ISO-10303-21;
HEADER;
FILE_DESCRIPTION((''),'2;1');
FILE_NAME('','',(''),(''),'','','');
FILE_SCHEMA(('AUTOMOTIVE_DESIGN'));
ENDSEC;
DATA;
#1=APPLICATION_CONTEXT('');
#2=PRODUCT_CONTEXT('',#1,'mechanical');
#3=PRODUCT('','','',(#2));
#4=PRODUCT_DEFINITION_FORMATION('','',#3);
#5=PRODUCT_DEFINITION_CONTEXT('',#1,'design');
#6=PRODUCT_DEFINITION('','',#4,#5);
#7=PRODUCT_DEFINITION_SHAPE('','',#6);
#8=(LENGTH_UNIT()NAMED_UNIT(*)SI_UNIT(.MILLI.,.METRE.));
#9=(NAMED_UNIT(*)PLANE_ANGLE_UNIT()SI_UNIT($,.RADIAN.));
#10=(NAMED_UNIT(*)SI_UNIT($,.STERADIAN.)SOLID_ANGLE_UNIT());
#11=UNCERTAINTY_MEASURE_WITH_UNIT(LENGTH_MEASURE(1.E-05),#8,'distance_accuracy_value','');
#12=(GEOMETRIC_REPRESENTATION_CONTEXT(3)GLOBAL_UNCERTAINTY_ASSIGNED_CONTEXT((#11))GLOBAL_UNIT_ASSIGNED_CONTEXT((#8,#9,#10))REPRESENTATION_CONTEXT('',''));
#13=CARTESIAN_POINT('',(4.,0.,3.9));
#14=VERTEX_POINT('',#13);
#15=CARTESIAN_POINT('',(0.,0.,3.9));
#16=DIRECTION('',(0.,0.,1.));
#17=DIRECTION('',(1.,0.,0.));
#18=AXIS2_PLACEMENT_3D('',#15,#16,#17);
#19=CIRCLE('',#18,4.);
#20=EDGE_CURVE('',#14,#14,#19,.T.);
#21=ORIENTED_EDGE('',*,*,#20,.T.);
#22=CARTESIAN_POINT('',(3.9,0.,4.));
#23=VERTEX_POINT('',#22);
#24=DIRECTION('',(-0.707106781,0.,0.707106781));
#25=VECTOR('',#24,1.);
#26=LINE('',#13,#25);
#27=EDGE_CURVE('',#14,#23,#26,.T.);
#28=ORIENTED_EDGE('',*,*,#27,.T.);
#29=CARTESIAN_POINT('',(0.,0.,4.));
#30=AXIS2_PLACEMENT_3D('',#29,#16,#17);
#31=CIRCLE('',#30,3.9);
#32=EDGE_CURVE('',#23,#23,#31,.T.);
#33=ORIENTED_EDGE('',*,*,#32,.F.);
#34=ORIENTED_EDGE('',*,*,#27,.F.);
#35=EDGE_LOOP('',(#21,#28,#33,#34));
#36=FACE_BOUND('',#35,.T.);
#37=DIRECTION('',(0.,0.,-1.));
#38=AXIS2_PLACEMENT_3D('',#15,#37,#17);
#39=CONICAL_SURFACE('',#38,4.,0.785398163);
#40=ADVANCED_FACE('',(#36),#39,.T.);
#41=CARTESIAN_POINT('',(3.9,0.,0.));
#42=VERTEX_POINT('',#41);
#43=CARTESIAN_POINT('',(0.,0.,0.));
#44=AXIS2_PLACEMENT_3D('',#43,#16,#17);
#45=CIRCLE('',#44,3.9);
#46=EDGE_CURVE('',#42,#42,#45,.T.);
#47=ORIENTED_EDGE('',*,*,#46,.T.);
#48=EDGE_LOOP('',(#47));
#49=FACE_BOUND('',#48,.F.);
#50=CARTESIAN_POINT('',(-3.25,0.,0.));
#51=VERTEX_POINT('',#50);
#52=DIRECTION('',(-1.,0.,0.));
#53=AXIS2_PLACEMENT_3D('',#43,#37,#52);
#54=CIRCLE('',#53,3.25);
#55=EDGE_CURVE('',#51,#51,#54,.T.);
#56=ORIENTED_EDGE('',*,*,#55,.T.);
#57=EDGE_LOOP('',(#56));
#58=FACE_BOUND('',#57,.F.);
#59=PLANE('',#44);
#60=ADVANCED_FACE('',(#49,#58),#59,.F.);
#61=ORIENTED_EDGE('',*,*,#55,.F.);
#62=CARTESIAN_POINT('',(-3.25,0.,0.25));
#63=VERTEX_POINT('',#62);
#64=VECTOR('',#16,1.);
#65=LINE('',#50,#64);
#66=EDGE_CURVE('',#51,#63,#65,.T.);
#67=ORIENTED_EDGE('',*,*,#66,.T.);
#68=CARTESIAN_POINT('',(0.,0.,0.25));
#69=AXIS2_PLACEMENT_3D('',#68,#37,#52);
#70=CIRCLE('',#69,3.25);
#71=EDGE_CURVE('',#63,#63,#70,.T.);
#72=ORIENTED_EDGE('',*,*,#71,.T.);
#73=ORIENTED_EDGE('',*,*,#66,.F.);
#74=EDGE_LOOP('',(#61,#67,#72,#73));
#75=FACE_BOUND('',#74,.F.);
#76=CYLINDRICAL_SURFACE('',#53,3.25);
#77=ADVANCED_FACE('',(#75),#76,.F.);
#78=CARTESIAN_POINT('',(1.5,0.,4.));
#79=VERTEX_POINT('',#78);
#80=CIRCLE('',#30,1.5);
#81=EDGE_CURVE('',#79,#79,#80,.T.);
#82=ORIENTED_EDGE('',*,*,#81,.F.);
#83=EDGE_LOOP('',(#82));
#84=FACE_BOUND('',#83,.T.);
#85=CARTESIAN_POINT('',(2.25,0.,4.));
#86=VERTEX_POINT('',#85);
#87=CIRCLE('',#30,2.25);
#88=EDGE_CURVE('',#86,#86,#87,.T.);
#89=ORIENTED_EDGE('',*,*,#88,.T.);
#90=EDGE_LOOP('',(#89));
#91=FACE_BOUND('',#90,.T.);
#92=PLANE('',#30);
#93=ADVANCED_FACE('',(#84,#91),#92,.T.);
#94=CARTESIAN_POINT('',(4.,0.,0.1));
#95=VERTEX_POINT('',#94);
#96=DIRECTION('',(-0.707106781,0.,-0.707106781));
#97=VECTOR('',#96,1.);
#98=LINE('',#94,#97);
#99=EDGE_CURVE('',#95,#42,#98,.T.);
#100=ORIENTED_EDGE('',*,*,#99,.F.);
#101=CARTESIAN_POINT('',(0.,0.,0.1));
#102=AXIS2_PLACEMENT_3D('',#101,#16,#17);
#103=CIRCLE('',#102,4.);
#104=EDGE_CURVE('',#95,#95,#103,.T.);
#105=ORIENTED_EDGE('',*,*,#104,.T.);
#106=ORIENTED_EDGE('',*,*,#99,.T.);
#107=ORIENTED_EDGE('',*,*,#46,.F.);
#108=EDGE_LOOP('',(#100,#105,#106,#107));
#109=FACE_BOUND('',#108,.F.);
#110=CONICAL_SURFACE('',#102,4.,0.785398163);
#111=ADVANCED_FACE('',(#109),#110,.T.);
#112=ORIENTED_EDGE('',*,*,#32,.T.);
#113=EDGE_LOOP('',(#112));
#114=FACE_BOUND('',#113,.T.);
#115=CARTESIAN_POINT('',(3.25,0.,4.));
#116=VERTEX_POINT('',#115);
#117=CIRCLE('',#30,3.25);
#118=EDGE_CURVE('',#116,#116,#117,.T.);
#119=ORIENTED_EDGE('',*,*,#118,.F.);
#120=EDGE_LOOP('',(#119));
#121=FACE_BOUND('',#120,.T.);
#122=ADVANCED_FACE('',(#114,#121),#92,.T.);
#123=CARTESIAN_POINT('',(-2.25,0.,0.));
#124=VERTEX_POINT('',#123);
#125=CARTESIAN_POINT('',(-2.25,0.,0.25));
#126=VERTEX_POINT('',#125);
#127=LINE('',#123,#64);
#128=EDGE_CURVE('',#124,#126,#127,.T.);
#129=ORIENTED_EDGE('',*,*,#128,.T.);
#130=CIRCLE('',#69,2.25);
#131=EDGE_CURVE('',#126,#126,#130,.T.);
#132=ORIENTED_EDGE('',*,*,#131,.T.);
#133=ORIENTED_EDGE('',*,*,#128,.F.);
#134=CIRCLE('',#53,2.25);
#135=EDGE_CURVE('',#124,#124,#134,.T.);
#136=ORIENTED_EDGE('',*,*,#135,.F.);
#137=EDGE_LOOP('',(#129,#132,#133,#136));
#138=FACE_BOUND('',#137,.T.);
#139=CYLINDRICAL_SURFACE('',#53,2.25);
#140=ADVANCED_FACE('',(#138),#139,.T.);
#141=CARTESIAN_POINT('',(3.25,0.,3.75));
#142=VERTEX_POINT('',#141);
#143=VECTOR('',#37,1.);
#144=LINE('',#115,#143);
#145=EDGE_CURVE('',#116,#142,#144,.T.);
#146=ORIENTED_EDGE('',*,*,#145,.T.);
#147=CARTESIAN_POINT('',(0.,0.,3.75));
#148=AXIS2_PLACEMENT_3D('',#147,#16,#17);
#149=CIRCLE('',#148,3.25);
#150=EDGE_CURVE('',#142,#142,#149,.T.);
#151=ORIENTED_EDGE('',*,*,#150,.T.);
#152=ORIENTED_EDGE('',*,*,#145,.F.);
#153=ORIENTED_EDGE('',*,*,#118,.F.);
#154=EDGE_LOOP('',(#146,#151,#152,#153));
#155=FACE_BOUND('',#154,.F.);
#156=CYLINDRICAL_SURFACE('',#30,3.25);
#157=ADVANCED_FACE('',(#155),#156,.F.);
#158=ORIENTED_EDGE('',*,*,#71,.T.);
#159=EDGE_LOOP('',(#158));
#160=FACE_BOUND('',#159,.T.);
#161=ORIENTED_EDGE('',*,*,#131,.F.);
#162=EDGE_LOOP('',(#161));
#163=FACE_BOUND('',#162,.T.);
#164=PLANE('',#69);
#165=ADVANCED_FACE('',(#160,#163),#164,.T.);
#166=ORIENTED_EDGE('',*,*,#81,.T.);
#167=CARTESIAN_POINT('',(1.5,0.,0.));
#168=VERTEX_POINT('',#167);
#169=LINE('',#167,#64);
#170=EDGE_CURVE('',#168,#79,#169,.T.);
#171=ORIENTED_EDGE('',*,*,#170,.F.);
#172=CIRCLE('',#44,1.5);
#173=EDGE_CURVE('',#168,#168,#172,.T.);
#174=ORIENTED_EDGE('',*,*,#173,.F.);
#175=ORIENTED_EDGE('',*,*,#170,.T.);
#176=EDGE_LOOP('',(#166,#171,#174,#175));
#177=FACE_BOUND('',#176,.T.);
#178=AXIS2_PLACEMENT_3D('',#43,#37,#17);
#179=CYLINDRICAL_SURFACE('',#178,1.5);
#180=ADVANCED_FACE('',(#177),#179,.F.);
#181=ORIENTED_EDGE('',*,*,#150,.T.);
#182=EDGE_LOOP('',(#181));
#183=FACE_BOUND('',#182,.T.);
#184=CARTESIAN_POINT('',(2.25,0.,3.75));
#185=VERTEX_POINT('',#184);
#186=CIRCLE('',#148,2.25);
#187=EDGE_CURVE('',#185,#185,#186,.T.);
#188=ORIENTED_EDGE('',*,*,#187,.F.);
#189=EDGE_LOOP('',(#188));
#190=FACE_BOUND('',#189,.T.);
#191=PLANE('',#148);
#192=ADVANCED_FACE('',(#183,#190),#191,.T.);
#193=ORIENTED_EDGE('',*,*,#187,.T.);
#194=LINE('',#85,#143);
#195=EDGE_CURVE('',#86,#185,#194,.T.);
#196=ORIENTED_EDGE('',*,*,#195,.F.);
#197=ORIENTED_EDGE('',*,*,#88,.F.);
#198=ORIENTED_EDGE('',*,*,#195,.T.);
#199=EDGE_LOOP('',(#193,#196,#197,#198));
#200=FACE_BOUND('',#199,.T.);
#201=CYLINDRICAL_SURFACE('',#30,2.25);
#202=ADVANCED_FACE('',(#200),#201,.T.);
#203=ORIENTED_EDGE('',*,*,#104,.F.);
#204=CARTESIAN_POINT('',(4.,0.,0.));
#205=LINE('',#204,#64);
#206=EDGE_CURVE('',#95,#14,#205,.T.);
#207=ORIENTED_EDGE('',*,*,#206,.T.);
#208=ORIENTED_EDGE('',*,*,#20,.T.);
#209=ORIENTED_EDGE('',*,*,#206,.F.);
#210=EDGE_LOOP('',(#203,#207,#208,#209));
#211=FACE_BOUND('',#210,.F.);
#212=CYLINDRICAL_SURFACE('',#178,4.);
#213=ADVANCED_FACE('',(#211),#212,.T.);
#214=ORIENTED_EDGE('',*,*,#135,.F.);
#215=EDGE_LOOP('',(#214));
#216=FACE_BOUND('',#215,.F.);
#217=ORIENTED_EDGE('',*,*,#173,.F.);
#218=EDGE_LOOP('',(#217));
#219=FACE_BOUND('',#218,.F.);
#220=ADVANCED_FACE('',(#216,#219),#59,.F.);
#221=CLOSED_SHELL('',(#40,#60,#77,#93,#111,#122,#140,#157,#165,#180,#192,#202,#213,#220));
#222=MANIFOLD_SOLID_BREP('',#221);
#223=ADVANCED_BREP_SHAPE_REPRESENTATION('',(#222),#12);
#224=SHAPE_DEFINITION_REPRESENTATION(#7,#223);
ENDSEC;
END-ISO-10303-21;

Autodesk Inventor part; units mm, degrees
ref_plane "YZ Plane" through (0, 0, 0) normal (1, 0, 0) x (0, 1, 0)
ref_plane "XZ Plane" through (0, 0, 0) normal (0, 1, 0) x (-1, 0, 0)
ref_plane "XY Plane" through (0, 0, 0) normal (0, 0, 1) x (1, 0, 0)
sketch "Sketch1" plane through (0, 0, 0) normal (0, 0, 1) x (1, 0, 0)
  circle A0 centre (0, 0) radius 1.5
  circle A1 centre (0, 0) radius 4
  dimension "d0" = 3
  dimension "d1" = 8
extrude "Extrusion1" add sketch "Sketch1" along normal blind 4
sketch "Sketch2" plane through (0, 0, 4) normal (0, 0, 1) x (1, 0, 0)
  circle A0 centre (0, 0) radius 1.5 projected
  circle A1 centre (0, 0) radius 4 projected
  circle A2 centre (0, 0) radius 2.25
  circle A3 centre (0, 0) radius 3.25
  dimension "d4" = 0.75
  dimension "d5" = 0.75
extrude "Extrusion2" cut sketch "Sketch2" against normal blind 0.25 contours A3
sketch "Sketch3" plane through (0, 0, 0) normal (0, 0, -1) x (-1, 0, 0)
  circle A0 centre (0, 0) radius 1.5 projected
  circle A1 centre (0, 0) radius 4 projected
  circle A2 centre (0, 0) radius 2.25
  circle A3 centre (0, 0) radius 3.25
  dimension "d8" = 0.75
  dimension "d9" = 0.75
extrude "Extrusion3" cut sketch "Sketch3" against normal blind 0.25 contours A3
chamfer "Chamfer1" distance 0.1 angle 45 2 edges at (-4, 0, 4) (-4, 0, 0)
properties part number "3x8x4_bearing"
